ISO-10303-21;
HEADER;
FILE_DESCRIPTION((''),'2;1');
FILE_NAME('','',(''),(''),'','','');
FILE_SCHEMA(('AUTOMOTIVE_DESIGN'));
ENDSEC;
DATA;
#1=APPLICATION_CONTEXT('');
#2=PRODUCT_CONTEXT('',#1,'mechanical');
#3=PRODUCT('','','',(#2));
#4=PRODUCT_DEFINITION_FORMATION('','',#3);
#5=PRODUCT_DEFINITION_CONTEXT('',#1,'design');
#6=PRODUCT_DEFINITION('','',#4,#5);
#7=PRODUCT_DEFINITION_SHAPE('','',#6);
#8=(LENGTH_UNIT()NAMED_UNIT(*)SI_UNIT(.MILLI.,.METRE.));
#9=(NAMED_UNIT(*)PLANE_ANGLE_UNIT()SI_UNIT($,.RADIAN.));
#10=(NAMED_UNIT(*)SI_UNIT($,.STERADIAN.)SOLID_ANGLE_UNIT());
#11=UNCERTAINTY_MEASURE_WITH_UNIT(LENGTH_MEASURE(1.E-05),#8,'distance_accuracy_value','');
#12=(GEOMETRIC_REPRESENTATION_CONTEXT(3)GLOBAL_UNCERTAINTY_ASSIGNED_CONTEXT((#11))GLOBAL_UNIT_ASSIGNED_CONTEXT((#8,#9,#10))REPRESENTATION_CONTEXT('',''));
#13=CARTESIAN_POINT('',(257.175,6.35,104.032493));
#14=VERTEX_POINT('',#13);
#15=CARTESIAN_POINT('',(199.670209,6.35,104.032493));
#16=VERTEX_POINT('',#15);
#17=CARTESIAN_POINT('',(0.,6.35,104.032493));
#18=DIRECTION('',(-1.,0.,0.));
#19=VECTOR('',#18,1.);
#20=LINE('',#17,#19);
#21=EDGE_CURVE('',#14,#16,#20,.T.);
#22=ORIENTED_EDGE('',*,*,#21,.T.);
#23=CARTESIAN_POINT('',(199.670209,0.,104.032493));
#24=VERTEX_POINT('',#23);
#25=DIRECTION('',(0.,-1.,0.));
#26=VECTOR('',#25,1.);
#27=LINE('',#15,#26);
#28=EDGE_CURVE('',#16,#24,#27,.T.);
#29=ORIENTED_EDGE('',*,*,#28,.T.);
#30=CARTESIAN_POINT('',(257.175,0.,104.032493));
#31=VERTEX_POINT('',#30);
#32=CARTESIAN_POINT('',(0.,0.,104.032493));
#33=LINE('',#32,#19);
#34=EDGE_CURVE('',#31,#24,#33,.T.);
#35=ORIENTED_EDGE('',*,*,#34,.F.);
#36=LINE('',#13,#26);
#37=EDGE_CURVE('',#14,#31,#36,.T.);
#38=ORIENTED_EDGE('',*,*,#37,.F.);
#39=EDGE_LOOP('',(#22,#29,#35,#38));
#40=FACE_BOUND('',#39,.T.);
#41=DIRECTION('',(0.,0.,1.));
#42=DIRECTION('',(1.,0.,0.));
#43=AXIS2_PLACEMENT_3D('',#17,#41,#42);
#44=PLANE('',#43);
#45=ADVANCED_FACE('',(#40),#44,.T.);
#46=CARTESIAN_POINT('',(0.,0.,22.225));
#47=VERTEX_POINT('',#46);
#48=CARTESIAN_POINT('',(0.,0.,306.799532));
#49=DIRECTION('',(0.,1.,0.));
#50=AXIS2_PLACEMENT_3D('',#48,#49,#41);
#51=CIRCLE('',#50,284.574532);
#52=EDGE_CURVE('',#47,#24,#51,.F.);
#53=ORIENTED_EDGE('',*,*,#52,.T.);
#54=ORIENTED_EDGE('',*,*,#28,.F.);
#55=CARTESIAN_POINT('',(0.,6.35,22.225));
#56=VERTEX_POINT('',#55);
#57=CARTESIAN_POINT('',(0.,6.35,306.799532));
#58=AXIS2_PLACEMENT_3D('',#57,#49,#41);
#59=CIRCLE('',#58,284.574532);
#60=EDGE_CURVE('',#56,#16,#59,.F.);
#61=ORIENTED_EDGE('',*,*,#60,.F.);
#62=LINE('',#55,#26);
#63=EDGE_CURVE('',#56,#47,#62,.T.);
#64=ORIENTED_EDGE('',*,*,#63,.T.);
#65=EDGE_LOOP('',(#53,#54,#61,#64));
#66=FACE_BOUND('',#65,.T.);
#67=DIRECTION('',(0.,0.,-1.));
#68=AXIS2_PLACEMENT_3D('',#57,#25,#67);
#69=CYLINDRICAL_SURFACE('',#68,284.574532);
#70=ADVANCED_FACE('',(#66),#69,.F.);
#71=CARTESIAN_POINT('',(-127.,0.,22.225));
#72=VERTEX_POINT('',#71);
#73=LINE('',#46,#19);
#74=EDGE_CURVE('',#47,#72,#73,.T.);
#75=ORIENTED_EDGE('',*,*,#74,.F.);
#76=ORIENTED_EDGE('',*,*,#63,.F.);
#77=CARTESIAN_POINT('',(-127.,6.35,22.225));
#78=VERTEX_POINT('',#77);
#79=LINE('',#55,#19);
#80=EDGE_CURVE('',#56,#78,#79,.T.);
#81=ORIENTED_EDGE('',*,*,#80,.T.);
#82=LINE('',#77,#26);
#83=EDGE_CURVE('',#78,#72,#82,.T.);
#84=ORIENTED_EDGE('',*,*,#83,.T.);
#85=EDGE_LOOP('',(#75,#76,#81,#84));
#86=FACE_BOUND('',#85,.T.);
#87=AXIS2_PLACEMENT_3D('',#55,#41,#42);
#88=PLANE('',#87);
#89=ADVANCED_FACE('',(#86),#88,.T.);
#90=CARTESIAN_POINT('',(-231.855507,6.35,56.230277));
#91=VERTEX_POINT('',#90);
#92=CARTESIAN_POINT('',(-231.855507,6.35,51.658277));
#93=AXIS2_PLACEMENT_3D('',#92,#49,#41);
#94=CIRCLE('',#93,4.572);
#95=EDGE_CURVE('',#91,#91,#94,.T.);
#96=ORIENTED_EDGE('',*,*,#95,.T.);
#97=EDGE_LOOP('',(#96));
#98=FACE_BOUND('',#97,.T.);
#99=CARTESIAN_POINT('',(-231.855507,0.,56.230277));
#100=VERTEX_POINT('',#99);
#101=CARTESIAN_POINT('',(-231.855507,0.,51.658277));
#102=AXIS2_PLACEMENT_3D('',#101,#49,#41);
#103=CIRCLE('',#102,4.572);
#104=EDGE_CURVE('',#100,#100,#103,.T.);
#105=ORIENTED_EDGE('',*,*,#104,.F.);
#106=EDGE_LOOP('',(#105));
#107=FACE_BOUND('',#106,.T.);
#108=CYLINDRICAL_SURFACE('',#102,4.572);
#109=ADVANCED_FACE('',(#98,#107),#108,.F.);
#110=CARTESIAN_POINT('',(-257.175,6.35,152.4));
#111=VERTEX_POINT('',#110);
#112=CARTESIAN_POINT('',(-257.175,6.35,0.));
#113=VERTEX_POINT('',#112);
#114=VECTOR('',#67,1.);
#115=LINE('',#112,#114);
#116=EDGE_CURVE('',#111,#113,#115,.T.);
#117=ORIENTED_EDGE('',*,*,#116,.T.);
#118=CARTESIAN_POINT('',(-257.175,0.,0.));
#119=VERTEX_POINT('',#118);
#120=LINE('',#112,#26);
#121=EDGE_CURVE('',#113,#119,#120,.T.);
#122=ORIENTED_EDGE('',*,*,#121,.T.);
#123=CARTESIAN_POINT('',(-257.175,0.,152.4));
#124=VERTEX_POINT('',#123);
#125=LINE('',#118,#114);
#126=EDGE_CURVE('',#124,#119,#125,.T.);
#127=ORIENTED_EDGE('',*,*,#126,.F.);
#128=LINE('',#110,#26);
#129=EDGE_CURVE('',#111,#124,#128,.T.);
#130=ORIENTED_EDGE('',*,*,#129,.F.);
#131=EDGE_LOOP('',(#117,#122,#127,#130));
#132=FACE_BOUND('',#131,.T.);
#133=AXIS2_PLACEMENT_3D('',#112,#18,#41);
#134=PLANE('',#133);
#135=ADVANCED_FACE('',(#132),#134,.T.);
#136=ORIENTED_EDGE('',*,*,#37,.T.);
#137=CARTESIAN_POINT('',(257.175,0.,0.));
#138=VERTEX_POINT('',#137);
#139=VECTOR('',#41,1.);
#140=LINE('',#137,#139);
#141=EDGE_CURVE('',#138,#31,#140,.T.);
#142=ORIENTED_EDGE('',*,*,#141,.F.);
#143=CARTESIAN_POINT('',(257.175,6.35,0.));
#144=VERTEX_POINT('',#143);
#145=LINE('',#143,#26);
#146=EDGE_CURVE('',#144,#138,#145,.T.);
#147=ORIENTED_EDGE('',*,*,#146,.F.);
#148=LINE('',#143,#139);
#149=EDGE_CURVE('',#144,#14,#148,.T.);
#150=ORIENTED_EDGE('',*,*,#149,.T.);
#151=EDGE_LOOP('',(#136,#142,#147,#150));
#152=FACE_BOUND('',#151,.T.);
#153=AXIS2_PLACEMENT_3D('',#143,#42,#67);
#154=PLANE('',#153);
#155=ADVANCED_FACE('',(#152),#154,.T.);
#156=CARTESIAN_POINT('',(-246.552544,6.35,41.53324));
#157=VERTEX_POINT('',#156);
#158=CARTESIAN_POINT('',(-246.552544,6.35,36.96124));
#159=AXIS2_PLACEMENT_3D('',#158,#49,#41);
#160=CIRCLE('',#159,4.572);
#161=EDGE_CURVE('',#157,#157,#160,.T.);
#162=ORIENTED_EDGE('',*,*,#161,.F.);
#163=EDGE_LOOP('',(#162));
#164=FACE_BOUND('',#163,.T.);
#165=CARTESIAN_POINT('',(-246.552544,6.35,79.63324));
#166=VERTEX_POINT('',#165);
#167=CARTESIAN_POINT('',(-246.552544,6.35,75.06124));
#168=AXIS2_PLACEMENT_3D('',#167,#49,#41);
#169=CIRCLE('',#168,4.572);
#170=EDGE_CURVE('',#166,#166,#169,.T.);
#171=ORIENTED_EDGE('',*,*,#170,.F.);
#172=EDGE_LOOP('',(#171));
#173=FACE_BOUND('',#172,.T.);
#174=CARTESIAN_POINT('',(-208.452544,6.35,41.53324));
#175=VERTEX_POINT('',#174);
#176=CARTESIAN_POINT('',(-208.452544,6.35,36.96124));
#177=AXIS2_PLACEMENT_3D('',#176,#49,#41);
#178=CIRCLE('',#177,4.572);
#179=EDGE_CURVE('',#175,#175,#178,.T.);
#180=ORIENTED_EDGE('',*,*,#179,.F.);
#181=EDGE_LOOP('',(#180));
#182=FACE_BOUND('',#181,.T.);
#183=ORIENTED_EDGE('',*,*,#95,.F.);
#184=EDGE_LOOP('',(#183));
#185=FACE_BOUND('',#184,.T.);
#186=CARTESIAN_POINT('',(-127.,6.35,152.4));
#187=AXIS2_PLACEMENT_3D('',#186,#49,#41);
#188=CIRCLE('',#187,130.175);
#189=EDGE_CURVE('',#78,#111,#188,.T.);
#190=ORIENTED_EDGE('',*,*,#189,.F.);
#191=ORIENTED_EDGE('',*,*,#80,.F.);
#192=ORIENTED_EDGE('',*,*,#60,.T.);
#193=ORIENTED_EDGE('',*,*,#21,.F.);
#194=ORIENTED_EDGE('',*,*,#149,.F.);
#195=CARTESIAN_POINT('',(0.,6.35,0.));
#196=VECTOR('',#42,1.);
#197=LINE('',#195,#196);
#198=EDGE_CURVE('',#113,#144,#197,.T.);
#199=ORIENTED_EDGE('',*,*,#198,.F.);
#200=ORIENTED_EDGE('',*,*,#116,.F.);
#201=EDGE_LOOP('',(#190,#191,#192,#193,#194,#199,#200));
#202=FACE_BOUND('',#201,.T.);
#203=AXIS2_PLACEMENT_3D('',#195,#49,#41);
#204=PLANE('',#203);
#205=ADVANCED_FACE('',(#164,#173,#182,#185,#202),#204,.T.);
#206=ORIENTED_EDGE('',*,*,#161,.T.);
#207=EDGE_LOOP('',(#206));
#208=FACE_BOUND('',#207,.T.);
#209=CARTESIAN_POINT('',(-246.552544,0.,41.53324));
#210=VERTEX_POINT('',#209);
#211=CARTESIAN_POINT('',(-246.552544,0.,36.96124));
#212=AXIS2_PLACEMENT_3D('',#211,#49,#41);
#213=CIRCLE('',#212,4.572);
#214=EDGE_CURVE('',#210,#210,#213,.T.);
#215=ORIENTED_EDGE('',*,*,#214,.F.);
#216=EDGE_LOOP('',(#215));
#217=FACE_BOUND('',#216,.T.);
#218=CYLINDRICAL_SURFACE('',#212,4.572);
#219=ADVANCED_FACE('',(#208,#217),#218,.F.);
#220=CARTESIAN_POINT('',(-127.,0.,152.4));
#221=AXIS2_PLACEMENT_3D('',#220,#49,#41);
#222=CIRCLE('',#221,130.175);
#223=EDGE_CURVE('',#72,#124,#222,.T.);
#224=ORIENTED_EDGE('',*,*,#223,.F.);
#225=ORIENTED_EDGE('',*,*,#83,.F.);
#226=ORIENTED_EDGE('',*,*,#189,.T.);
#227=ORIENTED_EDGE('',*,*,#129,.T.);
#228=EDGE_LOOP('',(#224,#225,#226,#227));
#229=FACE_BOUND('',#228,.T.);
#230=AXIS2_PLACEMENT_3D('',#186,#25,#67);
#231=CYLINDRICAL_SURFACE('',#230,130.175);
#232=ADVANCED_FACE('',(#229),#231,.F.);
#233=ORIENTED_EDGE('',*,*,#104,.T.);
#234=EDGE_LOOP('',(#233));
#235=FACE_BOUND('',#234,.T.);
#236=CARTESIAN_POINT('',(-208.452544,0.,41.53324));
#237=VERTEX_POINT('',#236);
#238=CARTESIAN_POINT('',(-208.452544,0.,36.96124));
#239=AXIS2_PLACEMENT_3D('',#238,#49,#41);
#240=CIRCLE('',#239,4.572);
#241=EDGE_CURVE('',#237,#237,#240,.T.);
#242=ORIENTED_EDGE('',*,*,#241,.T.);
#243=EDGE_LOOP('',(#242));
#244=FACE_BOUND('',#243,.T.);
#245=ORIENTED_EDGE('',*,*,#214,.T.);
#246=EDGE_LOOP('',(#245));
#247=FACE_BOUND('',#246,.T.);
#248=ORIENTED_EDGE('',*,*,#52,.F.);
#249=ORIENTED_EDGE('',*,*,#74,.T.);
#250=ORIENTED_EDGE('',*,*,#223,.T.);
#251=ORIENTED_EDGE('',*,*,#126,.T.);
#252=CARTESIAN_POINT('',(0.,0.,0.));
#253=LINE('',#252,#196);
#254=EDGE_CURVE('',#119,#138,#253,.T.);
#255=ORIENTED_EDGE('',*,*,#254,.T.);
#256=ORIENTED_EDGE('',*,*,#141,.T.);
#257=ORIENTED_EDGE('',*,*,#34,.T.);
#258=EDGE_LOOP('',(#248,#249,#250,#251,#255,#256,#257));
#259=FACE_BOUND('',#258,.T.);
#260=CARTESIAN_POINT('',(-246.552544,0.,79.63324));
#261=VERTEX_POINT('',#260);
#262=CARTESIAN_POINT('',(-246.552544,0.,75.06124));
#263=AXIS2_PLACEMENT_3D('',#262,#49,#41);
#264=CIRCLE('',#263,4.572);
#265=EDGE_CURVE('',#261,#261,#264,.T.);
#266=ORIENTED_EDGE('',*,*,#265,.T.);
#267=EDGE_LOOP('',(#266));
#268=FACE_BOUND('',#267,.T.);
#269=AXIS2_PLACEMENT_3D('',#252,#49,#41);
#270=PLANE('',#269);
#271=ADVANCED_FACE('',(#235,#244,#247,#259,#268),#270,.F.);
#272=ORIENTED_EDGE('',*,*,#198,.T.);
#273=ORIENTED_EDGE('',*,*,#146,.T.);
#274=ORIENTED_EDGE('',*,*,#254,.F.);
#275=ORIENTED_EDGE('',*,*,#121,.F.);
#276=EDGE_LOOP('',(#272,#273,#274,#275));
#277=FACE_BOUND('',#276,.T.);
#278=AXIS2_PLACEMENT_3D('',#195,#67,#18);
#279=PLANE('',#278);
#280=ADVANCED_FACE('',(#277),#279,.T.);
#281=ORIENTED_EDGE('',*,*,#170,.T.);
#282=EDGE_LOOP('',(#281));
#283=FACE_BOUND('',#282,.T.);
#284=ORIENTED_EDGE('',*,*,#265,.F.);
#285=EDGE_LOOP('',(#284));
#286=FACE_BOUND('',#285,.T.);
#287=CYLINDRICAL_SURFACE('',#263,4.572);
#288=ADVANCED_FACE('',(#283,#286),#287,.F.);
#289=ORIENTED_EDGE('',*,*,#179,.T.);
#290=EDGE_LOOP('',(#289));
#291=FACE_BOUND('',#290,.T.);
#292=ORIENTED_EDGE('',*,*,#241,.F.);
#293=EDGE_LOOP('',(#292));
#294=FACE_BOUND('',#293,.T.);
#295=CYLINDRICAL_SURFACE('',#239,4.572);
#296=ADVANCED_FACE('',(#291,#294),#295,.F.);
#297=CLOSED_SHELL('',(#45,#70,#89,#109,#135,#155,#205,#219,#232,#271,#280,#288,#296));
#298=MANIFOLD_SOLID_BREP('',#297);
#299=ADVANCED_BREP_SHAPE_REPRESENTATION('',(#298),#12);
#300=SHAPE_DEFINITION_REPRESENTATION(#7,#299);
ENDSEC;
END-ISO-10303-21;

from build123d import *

# Parameters (mm, degrees)
BOSS_EXTRUDE1_DEPTH = 6.35
SKETCH2_W           = 19.05
SKETCH2_H           = 101.6
CUT_EXTRUDE2_DEPTH  = 316.541333465
SKETCH3_R           = 4.572
CUT_EXTRUDE3_DEPTH  = 300.006794446


with BuildPart() as part:
    # Sketch1 → Boss-Extrude1 (new body)
    with BuildSketch(Plane(origin=(0, 0, 0), x_dir=(1, 0, 0), z_dir=(0, 1, 0))):
        with BuildLine():
            Line((-257.175, 0), (257.175, 0))
            Line((257.175, 0), (257.175, -104.032493436))
            Line((257.175, -104.032493436), (199.670208733, -104.032493436))
            ThreePointArc((199.670208733, -104.032493436), (107.889594305, -43.469891278), (0, -22.225))
            Line((0, -22.225), (-127, -22.225))
            ThreePointArc((-127, -22.225), (-219.047625241, -60.352374759), (-257.175, -152.4))
            Line((-257.175, -152.4), (-276.225, -152.4))
            Line((-276.225, -152.4), (-276.225, -50.8))
            Line((-276.225, -50.8), (-257.175, -50.8))
            Line((-257.175, -50.8), (-257.175, 0))
        make_face()
    extrude(amount=BOSS_EXTRUDE1_DEPTH)

    # Sketch2 → Cut-Extrude2 (cut, through all)
    with BuildSketch(Plane(origin=(0, 0, 0), x_dir=(1, 0, 0), z_dir=(0, 1, 0))):
        with Locations((-266.7, -101.6)):
            Rectangle(SKETCH2_W, SKETCH2_H)
    extrude(amount=CUT_EXTRUDE2_DEPTH, mode=Mode.SUBTRACT)

    # Sketch3 → Cut-Extrude3 (cut, through all)
    with BuildSketch(Plane(origin=(0, 6.35, 0), x_dir=(1, 0, 0), z_dir=(0, 1, 0))):
        with Locations(Location((-208.452544448, -36.961239505, 0), (0, 0, 270))):
            Circle(SKETCH3_R)
        with Locations(Location((-246.552544448, -36.961239505, 0), (0, 0, 270))):
            Circle(SKETCH3_R)
        with Locations(Location((-231.855506716, -51.658277238, 0), (0, 0, 270))):
            Circle(SKETCH3_R)
        with Locations(Location((-246.552544448, -75.061239505, 0), (0, 0, 270))):
            Circle(SKETCH3_R)
    extrude(amount=-CUT_EXTRUDE3_DEPTH, mode=Mode.SUBTRACT)


solid = part.part
